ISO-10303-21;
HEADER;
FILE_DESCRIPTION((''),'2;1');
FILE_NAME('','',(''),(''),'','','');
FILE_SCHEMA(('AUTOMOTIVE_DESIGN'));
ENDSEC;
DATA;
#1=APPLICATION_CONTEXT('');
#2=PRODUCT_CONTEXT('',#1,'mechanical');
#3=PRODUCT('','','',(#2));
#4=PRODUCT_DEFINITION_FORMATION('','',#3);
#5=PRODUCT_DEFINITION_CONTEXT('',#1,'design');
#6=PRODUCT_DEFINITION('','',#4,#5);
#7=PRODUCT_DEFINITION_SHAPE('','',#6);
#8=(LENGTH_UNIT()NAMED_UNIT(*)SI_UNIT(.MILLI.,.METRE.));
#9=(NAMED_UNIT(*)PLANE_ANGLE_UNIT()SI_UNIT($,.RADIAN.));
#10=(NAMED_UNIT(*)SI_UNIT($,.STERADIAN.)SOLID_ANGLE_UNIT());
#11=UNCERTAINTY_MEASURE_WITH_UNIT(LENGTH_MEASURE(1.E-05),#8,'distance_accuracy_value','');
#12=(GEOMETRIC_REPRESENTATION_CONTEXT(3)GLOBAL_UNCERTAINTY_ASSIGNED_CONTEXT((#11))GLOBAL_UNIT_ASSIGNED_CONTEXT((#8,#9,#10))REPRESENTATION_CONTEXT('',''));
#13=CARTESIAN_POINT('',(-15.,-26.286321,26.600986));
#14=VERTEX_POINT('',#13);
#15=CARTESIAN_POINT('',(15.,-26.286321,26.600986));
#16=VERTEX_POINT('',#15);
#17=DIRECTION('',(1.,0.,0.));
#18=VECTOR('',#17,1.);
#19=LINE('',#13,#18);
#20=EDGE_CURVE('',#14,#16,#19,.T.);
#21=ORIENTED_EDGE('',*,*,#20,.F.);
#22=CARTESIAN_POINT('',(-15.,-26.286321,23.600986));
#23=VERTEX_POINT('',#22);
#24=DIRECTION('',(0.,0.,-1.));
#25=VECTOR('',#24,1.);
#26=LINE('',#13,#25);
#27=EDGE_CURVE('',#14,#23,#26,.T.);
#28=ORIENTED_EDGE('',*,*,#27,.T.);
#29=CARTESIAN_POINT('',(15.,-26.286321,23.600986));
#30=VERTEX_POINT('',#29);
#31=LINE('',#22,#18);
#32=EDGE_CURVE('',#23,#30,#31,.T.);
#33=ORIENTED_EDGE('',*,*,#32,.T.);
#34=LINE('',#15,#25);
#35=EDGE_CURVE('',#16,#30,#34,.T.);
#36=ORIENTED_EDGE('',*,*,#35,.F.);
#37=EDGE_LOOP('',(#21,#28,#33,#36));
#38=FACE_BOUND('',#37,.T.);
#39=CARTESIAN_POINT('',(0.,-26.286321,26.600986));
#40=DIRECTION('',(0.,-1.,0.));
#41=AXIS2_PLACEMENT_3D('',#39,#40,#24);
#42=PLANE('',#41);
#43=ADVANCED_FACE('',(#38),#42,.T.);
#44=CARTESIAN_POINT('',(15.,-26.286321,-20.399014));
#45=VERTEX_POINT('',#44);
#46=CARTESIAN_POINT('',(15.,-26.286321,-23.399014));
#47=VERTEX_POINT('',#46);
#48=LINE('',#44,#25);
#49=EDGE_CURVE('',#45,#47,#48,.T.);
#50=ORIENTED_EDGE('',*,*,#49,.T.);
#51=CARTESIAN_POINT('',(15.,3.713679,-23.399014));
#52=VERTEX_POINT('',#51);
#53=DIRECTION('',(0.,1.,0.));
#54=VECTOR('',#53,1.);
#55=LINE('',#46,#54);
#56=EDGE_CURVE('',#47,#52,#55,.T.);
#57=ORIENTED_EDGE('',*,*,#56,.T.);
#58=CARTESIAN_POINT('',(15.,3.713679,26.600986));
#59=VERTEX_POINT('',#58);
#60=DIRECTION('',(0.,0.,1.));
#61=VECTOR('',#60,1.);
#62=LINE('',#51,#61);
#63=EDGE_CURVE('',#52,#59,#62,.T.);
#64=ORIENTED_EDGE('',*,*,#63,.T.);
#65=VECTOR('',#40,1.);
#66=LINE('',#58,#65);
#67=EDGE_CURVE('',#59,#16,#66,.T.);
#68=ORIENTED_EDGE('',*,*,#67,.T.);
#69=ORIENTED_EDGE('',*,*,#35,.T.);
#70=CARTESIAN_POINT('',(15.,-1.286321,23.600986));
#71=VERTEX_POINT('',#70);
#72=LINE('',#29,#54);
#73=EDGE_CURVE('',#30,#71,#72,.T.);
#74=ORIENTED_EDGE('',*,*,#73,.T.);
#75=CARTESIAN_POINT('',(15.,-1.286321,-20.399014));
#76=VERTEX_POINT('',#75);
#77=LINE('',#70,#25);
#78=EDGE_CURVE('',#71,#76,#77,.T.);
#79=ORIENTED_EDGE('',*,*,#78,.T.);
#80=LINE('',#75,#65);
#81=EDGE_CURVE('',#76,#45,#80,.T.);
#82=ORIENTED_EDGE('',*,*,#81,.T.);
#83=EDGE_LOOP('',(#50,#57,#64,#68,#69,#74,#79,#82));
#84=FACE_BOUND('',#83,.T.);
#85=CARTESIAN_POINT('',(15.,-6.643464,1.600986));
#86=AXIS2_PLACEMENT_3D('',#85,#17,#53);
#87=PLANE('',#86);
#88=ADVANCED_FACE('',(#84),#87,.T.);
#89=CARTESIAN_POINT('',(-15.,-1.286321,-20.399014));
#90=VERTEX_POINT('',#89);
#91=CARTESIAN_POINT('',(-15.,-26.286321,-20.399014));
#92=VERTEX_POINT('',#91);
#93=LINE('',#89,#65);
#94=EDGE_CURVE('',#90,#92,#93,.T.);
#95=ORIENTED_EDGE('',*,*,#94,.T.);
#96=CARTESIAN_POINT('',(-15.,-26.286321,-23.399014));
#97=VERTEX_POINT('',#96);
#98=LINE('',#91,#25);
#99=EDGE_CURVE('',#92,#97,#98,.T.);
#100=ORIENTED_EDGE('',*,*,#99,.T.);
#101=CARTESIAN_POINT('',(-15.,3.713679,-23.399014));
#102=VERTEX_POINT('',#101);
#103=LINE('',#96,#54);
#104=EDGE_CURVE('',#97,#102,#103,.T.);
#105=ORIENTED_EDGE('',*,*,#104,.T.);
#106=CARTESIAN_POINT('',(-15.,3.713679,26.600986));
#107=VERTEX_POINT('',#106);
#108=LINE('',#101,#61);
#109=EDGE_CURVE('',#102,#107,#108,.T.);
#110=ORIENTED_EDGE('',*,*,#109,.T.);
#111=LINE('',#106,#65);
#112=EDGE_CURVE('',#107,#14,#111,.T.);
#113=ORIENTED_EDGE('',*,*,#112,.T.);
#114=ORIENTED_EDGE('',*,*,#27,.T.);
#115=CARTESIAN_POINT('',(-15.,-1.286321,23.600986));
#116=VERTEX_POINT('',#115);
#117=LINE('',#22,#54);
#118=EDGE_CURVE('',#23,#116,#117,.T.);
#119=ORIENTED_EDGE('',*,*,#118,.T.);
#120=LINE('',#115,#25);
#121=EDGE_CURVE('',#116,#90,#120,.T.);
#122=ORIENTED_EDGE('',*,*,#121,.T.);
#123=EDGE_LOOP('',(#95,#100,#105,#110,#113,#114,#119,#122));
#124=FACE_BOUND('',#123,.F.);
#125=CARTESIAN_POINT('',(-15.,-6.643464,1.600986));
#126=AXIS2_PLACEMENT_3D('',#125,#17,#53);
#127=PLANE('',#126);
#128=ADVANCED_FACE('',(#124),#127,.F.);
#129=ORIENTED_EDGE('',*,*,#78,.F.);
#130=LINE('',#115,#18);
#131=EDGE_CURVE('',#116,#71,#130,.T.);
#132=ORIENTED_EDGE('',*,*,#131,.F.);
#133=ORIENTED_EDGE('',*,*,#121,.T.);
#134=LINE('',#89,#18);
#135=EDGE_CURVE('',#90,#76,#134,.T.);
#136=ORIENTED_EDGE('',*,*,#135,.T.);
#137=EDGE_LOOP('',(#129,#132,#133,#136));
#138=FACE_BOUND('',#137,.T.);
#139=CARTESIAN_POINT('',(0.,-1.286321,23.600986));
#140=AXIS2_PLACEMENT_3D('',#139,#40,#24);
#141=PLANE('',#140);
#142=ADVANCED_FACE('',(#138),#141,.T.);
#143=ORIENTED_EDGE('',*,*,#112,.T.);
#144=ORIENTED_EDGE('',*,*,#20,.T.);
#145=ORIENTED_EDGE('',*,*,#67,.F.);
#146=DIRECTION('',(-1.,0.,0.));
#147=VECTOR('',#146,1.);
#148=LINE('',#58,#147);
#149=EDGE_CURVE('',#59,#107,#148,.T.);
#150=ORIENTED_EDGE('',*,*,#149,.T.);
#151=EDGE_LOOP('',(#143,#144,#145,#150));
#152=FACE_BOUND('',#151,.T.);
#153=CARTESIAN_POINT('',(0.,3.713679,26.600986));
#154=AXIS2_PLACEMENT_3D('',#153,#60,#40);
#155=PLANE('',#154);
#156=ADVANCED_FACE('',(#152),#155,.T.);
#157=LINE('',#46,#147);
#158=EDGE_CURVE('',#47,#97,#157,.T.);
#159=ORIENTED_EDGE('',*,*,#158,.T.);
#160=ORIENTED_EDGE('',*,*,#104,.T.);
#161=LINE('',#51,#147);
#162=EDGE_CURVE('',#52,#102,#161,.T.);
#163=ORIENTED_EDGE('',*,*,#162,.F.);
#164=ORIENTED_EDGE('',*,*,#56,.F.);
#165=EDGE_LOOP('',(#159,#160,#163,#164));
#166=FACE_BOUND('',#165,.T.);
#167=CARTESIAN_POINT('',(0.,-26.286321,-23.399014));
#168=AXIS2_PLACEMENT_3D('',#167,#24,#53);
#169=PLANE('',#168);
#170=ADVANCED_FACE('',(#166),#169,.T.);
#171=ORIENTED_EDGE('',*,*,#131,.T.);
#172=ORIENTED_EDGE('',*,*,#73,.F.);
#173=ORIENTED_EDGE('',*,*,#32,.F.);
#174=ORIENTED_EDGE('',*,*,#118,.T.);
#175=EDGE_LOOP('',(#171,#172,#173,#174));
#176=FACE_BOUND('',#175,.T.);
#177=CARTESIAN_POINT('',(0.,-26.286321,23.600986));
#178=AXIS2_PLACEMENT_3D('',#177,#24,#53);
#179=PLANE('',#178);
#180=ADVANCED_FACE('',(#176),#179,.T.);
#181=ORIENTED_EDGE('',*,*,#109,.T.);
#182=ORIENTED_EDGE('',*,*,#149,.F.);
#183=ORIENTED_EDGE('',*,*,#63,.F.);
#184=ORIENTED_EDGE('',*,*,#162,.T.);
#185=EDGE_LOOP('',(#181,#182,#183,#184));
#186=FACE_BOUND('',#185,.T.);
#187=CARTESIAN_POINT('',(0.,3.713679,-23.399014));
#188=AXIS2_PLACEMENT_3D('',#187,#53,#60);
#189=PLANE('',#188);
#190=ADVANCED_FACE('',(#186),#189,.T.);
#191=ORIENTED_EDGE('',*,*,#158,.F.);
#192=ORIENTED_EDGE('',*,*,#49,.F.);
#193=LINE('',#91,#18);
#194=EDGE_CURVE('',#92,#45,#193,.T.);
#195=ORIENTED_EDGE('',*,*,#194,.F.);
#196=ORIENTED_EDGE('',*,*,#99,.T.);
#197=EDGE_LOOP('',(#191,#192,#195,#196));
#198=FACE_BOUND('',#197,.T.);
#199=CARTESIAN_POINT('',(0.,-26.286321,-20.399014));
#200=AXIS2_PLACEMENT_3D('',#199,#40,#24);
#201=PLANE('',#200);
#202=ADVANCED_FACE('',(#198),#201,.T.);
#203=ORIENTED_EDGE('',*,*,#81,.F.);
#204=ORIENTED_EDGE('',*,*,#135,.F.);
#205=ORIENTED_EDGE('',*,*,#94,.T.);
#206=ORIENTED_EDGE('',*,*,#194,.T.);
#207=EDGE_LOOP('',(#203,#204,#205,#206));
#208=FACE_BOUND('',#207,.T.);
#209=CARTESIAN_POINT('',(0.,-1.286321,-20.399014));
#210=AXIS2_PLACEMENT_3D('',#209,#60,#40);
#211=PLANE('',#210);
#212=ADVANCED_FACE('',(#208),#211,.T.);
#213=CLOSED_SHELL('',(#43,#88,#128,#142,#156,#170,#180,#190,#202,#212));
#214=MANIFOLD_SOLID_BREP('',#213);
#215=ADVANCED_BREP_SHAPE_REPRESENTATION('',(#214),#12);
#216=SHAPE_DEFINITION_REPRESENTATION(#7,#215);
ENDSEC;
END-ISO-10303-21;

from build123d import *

# Parameters (mm, degrees)
F1_DEPTH = 15


with BuildPart() as f1:
    # F0 (on Right) → F1 (new body, symmetric)
    with BuildSketch(Plane.YZ):
        Polygon((0, -1.8719722131), (-30, -1.8719722131), (-30, -4.8719722131), (-5, -4.8719722131), (-5, -48.8719722131), (-30, -48.8719722131), (-30, -51.8719722131), (0, -51.8719722131), align=None)
    extrude(amount=F1_DEPTH, both=True)


with BuildPart() as f1_1:
    # F2: moved
    add(f1.part.moved(Location((0, 3.7136785686, 28.4729581326))))


solid = f1_1.part
